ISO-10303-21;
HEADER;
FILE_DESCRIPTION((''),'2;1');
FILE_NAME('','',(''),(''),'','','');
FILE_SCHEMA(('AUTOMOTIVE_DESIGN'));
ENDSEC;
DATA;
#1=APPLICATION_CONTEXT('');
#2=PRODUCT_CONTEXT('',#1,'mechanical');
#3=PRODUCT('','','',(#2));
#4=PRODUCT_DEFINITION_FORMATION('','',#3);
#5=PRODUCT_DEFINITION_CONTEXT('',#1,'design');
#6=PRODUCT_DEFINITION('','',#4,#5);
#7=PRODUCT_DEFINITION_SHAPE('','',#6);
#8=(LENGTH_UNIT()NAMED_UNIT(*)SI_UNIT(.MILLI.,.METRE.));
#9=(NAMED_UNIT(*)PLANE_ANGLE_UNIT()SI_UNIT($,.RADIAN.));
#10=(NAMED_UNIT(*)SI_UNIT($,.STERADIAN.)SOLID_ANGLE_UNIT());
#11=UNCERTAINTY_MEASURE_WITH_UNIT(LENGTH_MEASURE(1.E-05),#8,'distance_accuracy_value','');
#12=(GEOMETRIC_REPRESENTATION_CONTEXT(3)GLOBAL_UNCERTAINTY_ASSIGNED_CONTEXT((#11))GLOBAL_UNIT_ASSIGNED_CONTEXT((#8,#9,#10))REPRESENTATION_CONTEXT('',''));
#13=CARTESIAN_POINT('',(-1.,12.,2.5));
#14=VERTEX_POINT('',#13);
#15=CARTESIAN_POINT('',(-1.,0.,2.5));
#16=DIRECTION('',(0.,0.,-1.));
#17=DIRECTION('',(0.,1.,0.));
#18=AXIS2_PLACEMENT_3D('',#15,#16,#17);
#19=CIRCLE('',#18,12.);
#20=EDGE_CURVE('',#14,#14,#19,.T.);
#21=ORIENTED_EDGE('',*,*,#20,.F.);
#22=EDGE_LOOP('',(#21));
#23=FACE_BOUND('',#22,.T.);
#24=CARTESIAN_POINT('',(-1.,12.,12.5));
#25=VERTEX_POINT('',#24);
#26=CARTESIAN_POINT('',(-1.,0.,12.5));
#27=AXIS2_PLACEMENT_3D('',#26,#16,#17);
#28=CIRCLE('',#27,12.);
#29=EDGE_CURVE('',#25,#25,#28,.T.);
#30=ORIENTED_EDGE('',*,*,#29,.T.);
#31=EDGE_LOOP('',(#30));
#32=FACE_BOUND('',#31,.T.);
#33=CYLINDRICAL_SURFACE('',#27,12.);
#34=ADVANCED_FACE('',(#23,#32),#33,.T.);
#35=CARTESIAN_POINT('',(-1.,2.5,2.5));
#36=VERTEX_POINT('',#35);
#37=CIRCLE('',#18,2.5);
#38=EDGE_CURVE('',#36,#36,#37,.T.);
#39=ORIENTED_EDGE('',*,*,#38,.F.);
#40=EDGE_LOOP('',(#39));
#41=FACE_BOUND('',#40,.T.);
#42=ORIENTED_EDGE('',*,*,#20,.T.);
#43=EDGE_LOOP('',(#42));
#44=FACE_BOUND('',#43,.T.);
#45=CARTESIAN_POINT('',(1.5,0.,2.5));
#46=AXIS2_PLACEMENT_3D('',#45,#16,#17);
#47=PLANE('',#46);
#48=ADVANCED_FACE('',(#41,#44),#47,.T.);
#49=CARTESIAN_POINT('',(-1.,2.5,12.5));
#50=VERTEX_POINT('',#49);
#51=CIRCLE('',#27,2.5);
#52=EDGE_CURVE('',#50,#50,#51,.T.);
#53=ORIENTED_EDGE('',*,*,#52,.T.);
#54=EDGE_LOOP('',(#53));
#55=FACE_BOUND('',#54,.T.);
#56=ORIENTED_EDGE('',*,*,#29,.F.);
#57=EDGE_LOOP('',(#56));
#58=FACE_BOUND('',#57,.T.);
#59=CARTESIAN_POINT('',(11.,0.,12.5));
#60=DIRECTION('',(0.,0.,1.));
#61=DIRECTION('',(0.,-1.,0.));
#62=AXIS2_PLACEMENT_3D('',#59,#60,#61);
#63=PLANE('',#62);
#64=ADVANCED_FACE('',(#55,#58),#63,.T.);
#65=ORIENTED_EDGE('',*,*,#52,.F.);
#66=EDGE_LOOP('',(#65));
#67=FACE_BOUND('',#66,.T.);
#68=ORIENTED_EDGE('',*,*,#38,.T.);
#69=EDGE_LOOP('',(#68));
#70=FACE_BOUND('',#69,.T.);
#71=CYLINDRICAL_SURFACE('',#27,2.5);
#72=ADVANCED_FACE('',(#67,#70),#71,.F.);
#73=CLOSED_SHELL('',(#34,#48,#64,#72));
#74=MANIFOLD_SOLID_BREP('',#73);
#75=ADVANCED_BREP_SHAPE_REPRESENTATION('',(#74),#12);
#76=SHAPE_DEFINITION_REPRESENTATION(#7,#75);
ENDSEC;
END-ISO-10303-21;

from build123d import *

# Parameters (mm, degrees)
SKETCH_1_W    = 4.75
SKETCH_1_H    = 5
SCALE_1_SCALE = 2


with BuildPart() as part:
    # 草图1 → 旋转1 (revolve)
    with BuildSketch(Plane.XZ, mode=Mode.PRIVATE) as revolve_1_sk:
        with Locations((2.625, 7.5)):
            Rectangle(SKETCH_1_W, SKETCH_1_H)
    revolve(revolve_1_sk.sketch.rotate(Axis((-1, 0, 10), (0, 0, -1)), 270), axis=Axis((-1, 0, 10), (0, 0, -1)))


with BuildPart() as part_1:
    # 缩放比例1: scaled about (-1, 0, 7.5)
    add(part.part.scale(SCALE_1_SCALE).moved(Location((1, 0, -7.5))))


solid = part_1.part
